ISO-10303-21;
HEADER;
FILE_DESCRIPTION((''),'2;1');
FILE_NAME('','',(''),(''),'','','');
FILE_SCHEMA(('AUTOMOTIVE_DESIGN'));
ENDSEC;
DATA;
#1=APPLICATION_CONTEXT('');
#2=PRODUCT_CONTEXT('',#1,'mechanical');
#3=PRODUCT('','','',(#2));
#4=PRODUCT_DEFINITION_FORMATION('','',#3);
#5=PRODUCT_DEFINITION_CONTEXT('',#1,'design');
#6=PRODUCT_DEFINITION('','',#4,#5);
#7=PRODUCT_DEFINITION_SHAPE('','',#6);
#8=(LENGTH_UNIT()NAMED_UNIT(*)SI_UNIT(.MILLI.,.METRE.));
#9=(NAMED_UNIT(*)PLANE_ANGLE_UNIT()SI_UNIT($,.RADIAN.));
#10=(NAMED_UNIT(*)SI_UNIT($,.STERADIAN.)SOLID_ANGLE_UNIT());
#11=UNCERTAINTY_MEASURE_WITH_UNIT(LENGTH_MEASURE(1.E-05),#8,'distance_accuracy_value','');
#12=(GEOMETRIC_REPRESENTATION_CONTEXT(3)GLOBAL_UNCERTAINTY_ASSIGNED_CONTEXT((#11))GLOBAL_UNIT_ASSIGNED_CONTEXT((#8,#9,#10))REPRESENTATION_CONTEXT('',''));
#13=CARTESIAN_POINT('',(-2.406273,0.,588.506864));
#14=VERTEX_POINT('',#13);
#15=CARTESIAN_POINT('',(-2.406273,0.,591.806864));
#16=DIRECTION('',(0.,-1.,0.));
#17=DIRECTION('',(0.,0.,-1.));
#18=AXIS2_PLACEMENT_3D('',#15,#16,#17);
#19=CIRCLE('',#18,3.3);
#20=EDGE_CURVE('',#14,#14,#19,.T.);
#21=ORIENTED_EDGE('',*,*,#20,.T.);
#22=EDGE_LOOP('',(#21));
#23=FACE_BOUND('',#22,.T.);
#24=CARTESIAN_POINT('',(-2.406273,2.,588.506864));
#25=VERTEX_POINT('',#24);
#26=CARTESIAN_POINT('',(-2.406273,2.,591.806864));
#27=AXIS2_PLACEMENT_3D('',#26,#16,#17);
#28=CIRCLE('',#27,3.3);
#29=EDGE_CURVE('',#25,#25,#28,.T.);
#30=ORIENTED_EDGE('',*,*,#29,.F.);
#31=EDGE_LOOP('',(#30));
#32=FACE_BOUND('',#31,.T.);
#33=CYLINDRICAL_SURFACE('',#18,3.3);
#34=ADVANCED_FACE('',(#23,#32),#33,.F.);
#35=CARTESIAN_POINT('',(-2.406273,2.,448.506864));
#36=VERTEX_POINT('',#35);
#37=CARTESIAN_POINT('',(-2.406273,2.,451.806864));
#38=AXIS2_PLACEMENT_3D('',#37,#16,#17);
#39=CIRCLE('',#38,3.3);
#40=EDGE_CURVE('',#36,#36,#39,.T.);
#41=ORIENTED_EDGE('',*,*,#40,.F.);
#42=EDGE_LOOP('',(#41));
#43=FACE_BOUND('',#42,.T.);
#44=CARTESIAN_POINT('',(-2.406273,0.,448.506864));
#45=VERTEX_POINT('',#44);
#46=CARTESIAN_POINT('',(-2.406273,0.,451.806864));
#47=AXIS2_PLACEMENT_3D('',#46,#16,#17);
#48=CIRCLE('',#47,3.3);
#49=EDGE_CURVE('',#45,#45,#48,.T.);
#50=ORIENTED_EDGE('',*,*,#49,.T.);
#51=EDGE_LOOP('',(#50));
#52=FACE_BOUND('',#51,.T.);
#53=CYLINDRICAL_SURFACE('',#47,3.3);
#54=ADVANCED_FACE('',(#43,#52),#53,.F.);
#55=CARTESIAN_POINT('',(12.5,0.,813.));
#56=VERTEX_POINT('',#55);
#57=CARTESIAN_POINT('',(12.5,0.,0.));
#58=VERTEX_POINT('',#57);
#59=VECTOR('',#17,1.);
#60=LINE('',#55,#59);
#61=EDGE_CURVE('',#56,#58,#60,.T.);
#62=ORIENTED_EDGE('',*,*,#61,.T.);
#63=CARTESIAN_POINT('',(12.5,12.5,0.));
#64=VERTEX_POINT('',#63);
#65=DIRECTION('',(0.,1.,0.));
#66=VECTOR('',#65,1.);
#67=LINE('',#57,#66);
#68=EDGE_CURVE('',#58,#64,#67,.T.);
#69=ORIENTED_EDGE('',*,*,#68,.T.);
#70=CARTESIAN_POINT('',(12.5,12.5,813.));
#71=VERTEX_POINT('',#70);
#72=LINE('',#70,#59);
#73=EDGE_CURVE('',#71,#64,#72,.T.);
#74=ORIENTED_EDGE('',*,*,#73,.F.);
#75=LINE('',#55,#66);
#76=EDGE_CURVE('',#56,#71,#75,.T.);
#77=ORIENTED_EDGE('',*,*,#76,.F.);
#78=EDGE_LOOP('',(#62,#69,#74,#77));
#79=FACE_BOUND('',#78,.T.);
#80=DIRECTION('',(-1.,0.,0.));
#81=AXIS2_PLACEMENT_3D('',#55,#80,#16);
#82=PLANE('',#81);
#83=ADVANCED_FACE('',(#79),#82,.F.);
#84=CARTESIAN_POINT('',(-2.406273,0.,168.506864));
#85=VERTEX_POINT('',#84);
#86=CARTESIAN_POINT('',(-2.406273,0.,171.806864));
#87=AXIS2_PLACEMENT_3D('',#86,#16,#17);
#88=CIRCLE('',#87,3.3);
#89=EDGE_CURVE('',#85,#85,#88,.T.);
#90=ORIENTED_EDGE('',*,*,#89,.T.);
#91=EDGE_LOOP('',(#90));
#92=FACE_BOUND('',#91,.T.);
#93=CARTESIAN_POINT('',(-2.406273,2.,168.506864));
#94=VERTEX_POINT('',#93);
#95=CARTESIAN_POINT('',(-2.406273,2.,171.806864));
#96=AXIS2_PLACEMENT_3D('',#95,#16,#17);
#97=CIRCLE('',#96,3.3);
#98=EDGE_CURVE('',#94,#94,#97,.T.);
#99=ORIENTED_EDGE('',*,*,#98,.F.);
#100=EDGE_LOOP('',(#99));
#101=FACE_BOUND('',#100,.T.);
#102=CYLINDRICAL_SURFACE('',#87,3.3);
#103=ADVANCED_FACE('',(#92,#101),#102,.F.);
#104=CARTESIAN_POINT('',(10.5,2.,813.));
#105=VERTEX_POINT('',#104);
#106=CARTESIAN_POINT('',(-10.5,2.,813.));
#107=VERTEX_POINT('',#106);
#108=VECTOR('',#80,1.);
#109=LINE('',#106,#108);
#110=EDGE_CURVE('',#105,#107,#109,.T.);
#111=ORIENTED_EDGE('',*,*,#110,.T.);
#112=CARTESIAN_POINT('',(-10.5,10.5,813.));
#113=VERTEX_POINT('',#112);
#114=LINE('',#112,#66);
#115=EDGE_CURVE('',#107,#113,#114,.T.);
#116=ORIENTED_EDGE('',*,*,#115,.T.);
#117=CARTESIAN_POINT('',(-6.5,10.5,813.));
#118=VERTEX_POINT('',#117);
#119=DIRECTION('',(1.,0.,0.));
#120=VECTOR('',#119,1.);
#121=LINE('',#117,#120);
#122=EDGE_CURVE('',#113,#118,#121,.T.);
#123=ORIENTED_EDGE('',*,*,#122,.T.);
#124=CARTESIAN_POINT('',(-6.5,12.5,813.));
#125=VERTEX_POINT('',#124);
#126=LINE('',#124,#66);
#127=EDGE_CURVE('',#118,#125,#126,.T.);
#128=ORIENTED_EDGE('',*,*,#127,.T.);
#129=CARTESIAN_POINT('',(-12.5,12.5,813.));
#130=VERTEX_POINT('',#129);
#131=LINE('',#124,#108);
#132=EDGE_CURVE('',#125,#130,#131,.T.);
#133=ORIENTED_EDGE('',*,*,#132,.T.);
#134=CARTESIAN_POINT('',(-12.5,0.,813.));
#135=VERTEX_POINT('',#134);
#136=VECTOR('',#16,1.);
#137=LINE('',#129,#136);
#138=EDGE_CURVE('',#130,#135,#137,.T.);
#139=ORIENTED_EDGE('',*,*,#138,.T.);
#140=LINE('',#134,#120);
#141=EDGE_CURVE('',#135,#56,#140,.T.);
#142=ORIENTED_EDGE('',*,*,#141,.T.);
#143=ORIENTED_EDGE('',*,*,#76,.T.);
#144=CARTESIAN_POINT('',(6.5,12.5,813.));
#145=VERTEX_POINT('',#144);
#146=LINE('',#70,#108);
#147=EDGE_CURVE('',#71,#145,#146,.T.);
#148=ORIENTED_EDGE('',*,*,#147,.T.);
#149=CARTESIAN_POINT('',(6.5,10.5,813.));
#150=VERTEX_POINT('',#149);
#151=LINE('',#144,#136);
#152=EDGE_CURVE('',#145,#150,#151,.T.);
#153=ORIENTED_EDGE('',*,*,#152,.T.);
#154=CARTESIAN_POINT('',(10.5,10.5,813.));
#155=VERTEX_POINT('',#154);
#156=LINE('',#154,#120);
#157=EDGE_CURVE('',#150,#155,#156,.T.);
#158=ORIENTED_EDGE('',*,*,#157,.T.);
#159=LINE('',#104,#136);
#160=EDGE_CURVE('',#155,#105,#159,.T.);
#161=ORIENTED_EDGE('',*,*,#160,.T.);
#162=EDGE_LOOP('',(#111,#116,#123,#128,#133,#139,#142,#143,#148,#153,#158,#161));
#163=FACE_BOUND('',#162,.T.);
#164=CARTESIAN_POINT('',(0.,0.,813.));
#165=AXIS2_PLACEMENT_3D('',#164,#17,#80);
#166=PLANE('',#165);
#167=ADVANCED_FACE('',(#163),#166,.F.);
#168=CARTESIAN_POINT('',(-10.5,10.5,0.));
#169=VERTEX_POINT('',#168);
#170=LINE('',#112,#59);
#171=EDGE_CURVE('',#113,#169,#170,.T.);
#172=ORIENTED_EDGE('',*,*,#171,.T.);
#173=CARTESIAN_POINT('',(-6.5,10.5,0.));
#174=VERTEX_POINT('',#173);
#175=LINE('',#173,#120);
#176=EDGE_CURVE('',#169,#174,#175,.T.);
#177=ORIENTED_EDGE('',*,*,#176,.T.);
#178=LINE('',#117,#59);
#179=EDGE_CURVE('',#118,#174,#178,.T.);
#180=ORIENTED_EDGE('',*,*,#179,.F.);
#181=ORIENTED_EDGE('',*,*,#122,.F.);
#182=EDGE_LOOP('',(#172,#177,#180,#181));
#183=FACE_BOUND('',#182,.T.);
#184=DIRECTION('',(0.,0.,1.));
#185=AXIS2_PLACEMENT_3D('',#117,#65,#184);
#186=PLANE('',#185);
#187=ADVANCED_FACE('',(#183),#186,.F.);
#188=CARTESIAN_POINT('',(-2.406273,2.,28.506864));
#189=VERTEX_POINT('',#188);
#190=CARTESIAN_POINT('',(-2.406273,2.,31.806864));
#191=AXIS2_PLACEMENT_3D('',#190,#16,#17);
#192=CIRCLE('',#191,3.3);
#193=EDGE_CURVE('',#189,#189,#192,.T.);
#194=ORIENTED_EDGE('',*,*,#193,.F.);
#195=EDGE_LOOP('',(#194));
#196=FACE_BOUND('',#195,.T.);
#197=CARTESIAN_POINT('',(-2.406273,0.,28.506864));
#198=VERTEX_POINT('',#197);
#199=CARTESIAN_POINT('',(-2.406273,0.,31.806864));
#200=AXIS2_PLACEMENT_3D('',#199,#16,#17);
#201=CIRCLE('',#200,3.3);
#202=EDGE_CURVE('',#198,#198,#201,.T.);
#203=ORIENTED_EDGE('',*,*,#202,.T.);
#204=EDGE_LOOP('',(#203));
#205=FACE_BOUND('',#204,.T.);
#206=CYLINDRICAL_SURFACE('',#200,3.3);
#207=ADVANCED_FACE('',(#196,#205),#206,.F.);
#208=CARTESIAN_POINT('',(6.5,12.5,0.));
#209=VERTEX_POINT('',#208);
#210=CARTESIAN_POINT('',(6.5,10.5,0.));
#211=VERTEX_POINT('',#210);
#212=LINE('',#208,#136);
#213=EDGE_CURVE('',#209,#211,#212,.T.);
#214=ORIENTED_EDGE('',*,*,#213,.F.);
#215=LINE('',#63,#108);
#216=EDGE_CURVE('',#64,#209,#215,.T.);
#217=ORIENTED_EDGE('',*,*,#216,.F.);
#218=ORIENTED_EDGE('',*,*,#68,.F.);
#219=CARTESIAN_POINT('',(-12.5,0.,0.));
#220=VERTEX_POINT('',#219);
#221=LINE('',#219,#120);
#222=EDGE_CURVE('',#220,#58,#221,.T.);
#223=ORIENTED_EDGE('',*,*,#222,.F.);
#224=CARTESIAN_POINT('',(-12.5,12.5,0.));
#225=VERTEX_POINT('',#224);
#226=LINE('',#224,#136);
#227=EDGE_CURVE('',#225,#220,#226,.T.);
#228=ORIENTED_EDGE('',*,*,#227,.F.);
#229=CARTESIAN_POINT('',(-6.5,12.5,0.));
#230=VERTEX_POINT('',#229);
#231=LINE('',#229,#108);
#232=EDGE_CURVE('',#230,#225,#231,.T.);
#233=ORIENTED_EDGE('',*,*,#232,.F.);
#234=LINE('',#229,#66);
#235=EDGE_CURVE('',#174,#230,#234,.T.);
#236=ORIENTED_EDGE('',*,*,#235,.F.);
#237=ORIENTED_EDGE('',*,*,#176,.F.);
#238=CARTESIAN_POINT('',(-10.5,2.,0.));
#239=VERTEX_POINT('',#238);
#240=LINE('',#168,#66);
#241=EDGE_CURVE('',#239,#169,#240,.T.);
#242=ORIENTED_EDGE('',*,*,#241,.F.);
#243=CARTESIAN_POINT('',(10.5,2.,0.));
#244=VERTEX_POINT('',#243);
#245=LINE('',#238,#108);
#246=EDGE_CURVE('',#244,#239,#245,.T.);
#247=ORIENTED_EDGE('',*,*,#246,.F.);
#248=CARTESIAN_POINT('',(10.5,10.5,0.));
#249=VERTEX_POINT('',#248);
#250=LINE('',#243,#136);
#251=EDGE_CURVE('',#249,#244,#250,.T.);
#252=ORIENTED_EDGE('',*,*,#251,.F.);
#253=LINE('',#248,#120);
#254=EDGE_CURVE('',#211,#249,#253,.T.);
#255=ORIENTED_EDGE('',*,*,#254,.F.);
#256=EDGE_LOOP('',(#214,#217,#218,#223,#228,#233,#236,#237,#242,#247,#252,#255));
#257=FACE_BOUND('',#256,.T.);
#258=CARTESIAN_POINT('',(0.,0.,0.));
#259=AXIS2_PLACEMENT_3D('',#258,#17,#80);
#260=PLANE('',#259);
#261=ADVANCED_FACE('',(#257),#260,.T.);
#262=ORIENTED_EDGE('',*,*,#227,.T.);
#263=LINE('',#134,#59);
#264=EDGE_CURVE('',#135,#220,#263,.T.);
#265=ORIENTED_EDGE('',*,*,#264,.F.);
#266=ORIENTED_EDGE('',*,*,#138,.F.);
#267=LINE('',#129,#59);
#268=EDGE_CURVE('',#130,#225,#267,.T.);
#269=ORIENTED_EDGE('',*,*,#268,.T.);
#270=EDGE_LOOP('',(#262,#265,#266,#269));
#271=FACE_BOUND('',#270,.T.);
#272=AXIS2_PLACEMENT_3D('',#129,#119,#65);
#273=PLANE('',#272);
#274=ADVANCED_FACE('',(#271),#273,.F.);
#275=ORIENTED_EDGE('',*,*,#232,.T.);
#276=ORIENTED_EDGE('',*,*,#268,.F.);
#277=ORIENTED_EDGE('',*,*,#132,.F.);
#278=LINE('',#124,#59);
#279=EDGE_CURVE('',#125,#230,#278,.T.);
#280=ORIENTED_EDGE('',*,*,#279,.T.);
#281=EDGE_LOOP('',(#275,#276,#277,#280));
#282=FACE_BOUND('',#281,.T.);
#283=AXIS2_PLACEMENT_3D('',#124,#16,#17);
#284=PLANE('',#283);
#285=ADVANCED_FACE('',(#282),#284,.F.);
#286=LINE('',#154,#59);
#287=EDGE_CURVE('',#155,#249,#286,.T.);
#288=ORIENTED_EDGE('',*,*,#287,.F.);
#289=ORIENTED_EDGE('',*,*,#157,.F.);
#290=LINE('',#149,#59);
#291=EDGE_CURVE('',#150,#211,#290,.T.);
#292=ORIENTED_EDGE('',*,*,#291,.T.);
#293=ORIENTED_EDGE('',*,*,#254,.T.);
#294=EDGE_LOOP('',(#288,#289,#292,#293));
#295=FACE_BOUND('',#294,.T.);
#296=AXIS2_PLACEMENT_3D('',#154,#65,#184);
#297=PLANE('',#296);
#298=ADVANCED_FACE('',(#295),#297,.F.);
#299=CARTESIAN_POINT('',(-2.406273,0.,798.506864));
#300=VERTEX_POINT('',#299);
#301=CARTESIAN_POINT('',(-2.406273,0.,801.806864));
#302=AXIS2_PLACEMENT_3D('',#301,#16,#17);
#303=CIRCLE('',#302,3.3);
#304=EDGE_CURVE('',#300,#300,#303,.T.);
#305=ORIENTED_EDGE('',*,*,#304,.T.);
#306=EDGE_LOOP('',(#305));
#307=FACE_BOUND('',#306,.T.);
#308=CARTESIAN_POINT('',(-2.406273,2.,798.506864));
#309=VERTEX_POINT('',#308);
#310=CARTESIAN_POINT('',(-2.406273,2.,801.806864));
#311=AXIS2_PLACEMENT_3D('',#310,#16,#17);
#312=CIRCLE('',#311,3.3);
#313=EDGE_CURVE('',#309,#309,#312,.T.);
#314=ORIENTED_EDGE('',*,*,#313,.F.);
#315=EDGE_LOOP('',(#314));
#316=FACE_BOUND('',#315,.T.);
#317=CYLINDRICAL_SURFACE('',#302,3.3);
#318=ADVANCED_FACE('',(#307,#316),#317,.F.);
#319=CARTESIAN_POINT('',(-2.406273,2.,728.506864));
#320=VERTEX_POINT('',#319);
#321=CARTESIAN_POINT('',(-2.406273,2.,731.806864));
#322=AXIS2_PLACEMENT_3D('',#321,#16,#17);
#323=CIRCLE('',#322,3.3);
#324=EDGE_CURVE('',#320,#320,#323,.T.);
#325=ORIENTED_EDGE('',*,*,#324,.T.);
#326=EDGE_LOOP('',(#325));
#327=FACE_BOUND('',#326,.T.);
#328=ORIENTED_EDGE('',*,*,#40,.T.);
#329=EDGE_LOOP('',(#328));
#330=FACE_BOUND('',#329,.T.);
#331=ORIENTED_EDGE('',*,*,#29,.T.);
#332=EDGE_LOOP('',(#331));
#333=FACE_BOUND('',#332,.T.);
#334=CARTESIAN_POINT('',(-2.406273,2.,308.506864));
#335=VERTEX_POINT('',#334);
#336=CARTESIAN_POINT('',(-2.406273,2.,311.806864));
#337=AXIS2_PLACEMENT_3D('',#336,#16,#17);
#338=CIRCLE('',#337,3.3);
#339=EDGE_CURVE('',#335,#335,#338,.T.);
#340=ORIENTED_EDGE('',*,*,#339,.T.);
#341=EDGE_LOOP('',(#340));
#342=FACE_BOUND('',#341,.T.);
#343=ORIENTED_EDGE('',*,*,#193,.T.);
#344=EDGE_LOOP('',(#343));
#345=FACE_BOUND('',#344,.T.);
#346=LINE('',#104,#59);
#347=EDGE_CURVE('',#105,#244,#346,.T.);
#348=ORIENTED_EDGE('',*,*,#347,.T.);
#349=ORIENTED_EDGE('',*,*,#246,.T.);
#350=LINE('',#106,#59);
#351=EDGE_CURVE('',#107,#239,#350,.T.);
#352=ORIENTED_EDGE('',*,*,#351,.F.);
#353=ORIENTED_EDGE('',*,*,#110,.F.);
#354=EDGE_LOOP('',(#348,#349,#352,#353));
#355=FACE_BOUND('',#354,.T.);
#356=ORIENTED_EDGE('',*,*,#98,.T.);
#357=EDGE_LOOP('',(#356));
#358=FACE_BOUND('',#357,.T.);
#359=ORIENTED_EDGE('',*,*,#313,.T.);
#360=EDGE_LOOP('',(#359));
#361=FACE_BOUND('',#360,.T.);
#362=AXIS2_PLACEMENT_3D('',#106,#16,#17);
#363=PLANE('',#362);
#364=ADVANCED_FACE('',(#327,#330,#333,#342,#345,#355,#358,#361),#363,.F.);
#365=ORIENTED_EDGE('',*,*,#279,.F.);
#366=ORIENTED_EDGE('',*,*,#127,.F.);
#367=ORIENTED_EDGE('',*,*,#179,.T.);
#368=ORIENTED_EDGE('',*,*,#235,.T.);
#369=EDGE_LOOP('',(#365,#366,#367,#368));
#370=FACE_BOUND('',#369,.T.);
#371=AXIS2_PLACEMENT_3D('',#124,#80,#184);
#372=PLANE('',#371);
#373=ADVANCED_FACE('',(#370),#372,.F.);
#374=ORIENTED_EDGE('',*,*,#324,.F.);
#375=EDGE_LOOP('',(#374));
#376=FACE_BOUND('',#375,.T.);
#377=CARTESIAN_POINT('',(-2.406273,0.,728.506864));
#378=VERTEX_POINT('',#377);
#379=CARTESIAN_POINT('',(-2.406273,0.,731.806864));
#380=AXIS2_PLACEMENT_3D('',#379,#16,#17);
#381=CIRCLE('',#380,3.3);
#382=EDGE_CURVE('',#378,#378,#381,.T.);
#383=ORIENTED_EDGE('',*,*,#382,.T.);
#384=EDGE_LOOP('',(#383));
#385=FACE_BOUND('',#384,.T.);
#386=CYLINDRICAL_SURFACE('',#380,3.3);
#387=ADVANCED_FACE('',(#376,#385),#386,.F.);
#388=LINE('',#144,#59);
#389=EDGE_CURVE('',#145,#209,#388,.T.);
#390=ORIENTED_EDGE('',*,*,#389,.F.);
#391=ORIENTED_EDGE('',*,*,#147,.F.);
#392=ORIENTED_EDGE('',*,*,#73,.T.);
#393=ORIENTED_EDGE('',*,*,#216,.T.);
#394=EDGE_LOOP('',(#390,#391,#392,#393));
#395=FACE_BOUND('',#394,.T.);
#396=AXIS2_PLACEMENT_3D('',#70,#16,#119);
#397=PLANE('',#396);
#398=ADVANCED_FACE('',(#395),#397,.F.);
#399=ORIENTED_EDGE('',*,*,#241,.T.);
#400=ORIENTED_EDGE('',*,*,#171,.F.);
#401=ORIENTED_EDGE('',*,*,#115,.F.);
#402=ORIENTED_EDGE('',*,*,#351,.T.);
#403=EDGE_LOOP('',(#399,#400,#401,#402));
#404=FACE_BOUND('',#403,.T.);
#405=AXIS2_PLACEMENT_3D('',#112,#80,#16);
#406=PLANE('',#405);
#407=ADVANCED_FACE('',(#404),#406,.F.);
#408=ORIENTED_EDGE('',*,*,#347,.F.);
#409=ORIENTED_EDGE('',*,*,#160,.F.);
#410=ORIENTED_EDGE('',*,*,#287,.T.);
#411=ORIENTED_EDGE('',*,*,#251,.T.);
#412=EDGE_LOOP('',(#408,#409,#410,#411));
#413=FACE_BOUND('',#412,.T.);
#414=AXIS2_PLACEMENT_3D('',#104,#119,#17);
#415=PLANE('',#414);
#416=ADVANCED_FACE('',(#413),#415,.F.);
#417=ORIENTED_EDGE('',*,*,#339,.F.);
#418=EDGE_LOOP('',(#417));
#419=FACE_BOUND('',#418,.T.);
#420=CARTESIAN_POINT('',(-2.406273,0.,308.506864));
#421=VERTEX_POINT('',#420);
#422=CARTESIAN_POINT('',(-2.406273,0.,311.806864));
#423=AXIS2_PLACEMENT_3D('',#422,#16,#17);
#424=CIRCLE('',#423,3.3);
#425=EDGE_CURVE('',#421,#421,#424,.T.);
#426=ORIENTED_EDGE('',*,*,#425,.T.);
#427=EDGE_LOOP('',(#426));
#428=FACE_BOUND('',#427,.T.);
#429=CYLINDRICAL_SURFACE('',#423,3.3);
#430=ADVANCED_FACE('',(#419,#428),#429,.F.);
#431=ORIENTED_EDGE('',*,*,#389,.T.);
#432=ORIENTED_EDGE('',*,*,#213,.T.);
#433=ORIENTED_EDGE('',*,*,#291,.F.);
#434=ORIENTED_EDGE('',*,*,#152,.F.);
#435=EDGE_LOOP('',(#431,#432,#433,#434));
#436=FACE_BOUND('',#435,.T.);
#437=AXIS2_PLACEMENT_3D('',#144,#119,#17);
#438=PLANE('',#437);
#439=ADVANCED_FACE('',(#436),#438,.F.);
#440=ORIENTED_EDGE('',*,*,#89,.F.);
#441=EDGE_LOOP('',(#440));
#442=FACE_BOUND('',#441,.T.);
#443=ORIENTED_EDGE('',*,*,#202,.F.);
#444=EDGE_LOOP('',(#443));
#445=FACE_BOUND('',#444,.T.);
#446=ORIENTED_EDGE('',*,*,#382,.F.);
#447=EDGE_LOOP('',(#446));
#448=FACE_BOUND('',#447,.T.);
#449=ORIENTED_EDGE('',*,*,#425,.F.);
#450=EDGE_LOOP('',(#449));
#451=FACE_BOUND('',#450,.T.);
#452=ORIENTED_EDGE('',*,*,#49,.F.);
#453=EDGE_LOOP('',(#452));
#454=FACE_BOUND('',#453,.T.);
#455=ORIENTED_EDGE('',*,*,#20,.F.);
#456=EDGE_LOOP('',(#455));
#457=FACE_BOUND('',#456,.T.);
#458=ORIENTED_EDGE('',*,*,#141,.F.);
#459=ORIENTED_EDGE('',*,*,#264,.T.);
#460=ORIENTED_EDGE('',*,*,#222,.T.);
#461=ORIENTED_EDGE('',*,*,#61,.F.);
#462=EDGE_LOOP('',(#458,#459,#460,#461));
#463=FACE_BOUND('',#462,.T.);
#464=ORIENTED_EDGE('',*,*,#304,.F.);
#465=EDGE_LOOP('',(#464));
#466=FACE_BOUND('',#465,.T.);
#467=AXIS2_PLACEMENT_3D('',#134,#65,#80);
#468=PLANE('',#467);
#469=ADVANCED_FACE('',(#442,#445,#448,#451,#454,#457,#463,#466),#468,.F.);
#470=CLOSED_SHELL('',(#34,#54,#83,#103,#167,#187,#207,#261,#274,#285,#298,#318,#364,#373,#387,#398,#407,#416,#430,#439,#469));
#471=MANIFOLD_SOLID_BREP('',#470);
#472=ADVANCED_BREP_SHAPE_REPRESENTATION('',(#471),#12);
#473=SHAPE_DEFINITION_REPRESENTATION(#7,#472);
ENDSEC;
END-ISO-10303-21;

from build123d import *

# Parameters (mm, degrees)
BOSS_EXTRU_1_DEPTH         = 813
D_GAGEMENT_M61_D           = 6.6
R_P_TITION_LIN_AIRE1_COUNT = 12
R_P_TITION_LIN_AIRE1_PITCH = 70


with BuildPart() as part:
    # Esquisse1 → Boss.-Extru.1 (new body)
    with BuildSketch(Plane.XY):
        Polygon((-6.5, 12.5), (-12.5, 12.5), (-12.5, 0), (12.5, 0), (12.5, 12.5), (6.5, 12.5), (6.5, 10.5), (10.5, 10.5), (10.5, 2), (-10.5, 2), (-10.5, 10.5), (-6.5, 10.5), align=None)
    extrude(amount=BOSS_EXTRU_1_DEPTH)

    # Dégagement M61 (through all)
    with Locations(Plane(origin=(0, 0, 0), x_dir=(-1, 0, 0), z_dir=(0, -1, 0))):
        with Locations((2.40627347, -801.806864395)):
            d_gagement_m61 = Hole(D_GAGEMENT_M61_D / 2)

    # Répétition linéaire1: Dégagement M61 ×12, 5 skipped
    with Locations(*[(0, 0, -i * R_P_TITION_LIN_AIRE1_PITCH) for i in range(1, R_P_TITION_LIN_AIRE1_COUNT) if i not in (2, 4, 6, 8, 10)]):
        add(d_gagement_m61, mode=Mode.SUBTRACT)


solid = part.part
